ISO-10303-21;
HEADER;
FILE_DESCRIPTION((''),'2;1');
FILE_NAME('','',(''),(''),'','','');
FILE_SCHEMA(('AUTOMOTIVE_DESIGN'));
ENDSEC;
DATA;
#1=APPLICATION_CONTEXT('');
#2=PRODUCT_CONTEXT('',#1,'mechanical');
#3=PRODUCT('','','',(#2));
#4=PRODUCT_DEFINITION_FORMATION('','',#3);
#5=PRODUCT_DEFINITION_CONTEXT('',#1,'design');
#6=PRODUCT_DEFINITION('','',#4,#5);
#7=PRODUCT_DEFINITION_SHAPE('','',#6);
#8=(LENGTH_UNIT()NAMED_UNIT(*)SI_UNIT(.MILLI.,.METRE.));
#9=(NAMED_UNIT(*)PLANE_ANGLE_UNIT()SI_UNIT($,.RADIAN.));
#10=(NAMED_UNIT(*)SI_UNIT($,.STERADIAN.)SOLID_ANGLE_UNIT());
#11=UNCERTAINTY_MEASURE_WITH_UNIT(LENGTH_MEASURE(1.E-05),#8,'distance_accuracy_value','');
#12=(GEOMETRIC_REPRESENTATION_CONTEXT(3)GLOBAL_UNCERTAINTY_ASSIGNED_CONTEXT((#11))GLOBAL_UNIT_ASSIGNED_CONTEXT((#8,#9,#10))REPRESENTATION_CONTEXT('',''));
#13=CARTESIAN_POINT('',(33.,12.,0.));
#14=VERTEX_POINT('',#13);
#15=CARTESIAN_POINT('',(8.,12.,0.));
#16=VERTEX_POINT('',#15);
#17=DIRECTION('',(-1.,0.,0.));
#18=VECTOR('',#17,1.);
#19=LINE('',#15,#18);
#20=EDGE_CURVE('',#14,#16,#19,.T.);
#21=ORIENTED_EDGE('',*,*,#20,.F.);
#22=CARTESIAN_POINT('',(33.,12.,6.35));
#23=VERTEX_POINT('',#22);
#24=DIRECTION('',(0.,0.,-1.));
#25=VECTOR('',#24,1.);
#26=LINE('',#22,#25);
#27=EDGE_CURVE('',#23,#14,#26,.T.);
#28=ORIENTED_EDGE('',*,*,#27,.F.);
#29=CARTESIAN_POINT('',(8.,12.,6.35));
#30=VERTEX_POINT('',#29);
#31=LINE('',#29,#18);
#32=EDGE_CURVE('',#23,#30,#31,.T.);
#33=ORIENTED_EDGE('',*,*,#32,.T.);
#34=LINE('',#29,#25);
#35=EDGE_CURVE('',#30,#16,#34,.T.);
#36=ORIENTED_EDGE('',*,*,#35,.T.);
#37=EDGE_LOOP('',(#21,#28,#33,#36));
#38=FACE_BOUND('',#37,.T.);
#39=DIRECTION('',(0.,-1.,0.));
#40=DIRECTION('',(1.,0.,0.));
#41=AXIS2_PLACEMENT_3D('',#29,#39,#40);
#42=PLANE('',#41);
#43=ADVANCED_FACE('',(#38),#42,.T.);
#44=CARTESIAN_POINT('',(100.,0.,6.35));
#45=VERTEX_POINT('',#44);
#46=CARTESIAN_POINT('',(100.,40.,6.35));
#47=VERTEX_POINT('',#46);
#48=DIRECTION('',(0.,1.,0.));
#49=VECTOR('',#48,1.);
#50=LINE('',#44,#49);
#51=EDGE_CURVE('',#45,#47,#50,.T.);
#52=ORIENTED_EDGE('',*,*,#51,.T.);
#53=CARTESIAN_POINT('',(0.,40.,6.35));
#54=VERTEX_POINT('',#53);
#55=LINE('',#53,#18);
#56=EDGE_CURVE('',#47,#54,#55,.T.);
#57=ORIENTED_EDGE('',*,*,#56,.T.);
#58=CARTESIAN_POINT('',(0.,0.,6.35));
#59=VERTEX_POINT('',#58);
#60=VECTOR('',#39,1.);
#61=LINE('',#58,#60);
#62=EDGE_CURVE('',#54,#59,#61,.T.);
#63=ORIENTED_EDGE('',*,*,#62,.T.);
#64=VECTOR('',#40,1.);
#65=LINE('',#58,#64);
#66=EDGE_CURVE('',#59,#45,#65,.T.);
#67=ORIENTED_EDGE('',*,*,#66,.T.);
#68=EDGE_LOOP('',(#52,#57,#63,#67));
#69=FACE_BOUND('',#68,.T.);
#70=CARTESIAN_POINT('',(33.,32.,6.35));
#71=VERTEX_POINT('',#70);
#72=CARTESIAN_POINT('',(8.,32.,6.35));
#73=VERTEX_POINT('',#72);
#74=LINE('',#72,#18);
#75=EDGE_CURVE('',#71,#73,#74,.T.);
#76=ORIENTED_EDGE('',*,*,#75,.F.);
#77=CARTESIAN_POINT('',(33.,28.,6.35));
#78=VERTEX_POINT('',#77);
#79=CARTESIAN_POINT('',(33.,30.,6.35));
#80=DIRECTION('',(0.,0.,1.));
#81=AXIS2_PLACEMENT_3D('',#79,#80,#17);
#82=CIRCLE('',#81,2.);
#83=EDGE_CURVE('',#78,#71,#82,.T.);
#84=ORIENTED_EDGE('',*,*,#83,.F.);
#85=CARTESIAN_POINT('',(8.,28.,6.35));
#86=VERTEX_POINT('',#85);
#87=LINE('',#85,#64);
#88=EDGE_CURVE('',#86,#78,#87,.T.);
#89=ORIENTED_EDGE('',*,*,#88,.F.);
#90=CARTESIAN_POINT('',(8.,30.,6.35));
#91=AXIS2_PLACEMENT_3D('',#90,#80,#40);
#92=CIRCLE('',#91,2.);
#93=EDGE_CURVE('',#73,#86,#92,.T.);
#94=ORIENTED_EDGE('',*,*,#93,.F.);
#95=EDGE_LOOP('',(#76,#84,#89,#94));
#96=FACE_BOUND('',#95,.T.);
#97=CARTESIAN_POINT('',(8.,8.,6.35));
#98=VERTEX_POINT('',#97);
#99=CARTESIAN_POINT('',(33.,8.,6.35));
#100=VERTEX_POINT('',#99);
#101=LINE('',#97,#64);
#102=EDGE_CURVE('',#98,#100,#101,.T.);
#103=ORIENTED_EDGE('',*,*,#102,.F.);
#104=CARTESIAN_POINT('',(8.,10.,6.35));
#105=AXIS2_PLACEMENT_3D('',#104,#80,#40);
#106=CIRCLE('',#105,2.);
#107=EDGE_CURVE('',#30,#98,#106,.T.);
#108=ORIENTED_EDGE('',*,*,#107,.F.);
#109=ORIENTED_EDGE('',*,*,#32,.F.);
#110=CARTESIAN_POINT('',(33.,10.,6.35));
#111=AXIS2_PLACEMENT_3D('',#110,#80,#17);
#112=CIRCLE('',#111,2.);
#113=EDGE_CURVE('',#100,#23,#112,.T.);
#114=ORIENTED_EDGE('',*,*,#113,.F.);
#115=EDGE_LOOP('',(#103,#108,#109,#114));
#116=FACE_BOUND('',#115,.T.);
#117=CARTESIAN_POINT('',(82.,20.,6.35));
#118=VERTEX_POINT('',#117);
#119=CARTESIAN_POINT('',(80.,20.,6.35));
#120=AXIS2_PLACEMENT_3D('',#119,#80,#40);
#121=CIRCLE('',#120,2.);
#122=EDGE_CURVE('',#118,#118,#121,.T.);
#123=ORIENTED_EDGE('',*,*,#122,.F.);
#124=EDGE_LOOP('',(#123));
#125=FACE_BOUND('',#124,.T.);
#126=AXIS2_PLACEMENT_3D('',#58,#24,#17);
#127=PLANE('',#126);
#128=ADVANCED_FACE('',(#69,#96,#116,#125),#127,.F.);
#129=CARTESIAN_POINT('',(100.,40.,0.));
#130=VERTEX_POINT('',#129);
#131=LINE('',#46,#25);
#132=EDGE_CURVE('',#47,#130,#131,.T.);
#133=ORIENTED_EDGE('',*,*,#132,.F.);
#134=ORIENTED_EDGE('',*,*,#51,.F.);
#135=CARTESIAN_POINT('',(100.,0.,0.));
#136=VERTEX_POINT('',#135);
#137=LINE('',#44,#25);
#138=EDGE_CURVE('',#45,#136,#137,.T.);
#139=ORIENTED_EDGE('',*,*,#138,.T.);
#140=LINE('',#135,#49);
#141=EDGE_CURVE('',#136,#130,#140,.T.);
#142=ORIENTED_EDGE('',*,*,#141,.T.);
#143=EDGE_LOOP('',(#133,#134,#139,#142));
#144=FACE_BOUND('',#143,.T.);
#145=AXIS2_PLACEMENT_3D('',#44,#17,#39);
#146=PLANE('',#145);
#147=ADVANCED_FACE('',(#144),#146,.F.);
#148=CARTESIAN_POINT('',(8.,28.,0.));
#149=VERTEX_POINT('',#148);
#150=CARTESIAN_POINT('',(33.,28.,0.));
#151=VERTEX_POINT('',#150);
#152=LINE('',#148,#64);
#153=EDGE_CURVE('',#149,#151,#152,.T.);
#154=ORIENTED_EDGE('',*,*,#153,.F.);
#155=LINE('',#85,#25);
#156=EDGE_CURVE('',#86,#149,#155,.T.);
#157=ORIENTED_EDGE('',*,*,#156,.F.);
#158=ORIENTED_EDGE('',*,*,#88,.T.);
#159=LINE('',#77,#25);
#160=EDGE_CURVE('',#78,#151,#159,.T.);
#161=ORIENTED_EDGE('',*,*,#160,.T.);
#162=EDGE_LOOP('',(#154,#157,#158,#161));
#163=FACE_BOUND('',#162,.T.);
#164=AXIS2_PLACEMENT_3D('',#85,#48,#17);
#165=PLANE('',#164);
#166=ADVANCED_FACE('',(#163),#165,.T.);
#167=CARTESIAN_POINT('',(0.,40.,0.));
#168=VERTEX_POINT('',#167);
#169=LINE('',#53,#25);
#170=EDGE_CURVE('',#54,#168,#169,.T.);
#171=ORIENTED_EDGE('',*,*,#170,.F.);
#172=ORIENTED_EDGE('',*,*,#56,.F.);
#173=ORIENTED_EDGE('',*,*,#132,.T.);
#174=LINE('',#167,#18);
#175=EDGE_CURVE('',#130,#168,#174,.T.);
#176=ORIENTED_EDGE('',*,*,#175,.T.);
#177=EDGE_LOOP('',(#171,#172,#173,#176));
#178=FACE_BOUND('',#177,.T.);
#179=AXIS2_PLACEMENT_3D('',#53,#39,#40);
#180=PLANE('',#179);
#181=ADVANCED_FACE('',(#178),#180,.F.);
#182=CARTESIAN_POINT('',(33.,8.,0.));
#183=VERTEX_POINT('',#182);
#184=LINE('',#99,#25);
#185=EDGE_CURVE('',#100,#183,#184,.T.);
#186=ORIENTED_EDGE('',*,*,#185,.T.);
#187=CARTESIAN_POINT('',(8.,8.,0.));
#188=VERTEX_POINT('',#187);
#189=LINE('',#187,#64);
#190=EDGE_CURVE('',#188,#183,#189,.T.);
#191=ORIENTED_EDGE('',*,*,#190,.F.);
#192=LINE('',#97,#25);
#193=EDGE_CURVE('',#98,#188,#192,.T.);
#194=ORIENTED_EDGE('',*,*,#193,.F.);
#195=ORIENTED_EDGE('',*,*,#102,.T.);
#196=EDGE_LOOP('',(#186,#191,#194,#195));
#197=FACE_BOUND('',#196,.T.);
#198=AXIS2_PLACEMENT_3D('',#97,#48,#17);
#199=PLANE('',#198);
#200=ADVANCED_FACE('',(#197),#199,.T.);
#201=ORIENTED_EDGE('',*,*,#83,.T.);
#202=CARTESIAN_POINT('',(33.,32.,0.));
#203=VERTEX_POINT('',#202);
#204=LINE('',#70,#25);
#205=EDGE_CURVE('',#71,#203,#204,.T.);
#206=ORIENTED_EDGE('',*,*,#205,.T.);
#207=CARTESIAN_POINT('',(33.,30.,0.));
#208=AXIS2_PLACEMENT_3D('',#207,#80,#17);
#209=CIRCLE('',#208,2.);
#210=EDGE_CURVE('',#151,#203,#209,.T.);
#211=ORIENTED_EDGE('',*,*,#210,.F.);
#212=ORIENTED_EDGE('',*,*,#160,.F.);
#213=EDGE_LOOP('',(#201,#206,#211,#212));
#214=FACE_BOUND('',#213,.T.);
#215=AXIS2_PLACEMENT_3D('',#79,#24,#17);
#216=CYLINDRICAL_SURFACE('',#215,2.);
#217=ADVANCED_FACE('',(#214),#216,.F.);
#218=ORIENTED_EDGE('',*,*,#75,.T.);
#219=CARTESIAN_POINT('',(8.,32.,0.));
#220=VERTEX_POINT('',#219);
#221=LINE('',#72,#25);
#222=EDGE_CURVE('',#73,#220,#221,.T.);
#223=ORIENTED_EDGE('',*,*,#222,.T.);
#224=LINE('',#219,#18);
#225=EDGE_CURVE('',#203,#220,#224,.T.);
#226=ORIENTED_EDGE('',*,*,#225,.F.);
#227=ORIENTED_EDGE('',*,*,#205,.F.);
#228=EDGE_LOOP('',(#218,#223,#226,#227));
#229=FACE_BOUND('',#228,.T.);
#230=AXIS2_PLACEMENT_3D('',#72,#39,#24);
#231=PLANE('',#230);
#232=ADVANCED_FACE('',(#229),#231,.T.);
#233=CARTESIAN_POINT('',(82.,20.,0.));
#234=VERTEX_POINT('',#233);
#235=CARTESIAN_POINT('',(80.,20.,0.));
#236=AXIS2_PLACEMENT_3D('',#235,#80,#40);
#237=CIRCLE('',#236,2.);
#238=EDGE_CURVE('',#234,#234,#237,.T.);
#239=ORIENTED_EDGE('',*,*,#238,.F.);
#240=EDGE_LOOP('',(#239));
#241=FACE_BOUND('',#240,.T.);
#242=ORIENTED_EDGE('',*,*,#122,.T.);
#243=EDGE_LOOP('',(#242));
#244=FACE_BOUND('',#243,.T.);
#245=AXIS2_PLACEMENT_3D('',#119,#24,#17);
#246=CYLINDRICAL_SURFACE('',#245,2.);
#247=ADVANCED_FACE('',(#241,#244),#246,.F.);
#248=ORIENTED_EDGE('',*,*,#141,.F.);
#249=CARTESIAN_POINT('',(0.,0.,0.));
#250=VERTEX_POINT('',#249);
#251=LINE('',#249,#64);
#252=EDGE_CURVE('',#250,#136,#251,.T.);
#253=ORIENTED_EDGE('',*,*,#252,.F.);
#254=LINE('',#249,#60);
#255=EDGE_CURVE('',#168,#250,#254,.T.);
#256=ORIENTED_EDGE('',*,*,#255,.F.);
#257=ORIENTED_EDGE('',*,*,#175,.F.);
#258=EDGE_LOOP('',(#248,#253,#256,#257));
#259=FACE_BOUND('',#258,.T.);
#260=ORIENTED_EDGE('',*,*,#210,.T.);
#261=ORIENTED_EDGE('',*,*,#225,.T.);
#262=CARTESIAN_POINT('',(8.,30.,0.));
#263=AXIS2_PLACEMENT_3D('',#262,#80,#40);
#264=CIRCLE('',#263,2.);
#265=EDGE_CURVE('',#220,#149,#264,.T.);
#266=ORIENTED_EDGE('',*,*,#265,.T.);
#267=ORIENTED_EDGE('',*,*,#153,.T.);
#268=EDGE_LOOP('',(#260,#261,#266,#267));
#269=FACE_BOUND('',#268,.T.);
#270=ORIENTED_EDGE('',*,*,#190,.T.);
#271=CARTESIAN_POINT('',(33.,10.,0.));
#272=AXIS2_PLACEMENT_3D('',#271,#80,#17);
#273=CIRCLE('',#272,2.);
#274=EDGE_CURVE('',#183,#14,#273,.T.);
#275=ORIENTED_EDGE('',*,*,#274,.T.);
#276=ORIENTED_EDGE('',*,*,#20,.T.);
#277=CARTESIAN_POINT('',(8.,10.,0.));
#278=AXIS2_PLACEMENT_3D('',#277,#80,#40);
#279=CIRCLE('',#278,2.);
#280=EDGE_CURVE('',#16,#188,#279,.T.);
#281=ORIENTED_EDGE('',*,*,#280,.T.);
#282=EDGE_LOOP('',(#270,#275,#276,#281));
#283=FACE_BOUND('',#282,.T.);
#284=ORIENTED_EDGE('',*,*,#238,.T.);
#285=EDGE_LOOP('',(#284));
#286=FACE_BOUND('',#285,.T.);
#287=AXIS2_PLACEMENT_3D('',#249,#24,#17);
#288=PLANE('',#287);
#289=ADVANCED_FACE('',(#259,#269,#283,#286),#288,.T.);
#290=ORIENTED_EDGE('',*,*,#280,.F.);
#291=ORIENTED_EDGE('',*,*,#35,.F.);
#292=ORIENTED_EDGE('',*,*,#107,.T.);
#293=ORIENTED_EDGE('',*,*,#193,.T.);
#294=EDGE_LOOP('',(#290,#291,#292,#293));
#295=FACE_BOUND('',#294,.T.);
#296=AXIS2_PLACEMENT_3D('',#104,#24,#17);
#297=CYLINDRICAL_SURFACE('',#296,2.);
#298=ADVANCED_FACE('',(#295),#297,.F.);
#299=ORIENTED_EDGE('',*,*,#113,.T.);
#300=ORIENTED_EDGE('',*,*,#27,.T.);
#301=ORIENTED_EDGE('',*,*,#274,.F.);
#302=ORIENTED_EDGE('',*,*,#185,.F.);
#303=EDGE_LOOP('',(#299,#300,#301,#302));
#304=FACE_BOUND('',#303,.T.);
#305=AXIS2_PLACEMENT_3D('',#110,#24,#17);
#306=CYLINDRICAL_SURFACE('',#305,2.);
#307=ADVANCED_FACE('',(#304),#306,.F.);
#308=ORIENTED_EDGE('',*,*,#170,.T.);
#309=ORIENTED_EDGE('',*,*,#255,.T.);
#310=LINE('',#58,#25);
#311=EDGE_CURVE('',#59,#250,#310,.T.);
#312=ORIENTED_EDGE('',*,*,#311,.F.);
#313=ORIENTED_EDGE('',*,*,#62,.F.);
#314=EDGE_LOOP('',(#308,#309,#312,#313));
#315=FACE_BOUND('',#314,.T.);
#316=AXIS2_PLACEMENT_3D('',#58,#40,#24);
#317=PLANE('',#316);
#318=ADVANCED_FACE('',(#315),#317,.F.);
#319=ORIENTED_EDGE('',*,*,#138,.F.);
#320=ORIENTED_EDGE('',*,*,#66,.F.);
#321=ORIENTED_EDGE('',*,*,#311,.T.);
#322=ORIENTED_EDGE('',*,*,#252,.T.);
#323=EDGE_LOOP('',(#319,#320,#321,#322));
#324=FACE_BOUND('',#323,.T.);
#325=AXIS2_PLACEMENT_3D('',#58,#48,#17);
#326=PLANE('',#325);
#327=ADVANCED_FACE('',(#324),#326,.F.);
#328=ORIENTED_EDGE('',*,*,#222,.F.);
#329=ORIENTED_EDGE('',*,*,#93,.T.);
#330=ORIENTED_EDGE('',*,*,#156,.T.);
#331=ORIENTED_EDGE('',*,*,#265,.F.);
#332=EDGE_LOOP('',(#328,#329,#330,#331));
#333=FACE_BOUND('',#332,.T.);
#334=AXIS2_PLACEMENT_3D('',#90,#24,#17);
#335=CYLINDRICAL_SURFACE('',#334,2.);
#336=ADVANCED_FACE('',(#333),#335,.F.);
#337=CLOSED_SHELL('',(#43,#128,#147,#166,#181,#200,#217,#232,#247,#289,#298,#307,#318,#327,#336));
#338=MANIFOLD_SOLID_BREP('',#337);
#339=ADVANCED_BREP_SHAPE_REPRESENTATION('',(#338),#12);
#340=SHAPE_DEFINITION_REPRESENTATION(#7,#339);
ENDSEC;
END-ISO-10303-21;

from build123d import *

# Parameters (mm, degrees)
SKETCH1_W           = 100
SKETCH1_H           = 40
SKETCH1_R           = 2
BOSS_EXTRUDE1_DEPTH = 6.35


with BuildPart() as part:
    # Sketch1 → Boss-Extrude1 (new body)
    with BuildSketch(Plane.XY):
        with Locations((50, 20)):
            Rectangle(SKETCH1_W, SKETCH1_H)
        with Locations((80, 20)):
            Circle(SKETCH1_R, mode=Mode.SUBTRACT)
        with BuildLine():
            Line((8, 32), (33, 32))
            ThreePointArc((33, 32), (35, 30), (33, 28))
            Line((33, 28), (8, 28))
            ThreePointArc((8, 28), (6, 30), (8, 32))
        make_face(mode=Mode.SUBTRACT)
        with BuildLine():
            Line((8, 12), (33, 12))
            ThreePointArc((33, 12), (35, 10), (33, 8))
            Line((33, 8), (8, 8))
            ThreePointArc((8, 8), (6, 10), (8, 12))
        make_face(mode=Mode.SUBTRACT)
    extrude(amount=BOSS_EXTRUDE1_DEPTH)


solid = part.part
